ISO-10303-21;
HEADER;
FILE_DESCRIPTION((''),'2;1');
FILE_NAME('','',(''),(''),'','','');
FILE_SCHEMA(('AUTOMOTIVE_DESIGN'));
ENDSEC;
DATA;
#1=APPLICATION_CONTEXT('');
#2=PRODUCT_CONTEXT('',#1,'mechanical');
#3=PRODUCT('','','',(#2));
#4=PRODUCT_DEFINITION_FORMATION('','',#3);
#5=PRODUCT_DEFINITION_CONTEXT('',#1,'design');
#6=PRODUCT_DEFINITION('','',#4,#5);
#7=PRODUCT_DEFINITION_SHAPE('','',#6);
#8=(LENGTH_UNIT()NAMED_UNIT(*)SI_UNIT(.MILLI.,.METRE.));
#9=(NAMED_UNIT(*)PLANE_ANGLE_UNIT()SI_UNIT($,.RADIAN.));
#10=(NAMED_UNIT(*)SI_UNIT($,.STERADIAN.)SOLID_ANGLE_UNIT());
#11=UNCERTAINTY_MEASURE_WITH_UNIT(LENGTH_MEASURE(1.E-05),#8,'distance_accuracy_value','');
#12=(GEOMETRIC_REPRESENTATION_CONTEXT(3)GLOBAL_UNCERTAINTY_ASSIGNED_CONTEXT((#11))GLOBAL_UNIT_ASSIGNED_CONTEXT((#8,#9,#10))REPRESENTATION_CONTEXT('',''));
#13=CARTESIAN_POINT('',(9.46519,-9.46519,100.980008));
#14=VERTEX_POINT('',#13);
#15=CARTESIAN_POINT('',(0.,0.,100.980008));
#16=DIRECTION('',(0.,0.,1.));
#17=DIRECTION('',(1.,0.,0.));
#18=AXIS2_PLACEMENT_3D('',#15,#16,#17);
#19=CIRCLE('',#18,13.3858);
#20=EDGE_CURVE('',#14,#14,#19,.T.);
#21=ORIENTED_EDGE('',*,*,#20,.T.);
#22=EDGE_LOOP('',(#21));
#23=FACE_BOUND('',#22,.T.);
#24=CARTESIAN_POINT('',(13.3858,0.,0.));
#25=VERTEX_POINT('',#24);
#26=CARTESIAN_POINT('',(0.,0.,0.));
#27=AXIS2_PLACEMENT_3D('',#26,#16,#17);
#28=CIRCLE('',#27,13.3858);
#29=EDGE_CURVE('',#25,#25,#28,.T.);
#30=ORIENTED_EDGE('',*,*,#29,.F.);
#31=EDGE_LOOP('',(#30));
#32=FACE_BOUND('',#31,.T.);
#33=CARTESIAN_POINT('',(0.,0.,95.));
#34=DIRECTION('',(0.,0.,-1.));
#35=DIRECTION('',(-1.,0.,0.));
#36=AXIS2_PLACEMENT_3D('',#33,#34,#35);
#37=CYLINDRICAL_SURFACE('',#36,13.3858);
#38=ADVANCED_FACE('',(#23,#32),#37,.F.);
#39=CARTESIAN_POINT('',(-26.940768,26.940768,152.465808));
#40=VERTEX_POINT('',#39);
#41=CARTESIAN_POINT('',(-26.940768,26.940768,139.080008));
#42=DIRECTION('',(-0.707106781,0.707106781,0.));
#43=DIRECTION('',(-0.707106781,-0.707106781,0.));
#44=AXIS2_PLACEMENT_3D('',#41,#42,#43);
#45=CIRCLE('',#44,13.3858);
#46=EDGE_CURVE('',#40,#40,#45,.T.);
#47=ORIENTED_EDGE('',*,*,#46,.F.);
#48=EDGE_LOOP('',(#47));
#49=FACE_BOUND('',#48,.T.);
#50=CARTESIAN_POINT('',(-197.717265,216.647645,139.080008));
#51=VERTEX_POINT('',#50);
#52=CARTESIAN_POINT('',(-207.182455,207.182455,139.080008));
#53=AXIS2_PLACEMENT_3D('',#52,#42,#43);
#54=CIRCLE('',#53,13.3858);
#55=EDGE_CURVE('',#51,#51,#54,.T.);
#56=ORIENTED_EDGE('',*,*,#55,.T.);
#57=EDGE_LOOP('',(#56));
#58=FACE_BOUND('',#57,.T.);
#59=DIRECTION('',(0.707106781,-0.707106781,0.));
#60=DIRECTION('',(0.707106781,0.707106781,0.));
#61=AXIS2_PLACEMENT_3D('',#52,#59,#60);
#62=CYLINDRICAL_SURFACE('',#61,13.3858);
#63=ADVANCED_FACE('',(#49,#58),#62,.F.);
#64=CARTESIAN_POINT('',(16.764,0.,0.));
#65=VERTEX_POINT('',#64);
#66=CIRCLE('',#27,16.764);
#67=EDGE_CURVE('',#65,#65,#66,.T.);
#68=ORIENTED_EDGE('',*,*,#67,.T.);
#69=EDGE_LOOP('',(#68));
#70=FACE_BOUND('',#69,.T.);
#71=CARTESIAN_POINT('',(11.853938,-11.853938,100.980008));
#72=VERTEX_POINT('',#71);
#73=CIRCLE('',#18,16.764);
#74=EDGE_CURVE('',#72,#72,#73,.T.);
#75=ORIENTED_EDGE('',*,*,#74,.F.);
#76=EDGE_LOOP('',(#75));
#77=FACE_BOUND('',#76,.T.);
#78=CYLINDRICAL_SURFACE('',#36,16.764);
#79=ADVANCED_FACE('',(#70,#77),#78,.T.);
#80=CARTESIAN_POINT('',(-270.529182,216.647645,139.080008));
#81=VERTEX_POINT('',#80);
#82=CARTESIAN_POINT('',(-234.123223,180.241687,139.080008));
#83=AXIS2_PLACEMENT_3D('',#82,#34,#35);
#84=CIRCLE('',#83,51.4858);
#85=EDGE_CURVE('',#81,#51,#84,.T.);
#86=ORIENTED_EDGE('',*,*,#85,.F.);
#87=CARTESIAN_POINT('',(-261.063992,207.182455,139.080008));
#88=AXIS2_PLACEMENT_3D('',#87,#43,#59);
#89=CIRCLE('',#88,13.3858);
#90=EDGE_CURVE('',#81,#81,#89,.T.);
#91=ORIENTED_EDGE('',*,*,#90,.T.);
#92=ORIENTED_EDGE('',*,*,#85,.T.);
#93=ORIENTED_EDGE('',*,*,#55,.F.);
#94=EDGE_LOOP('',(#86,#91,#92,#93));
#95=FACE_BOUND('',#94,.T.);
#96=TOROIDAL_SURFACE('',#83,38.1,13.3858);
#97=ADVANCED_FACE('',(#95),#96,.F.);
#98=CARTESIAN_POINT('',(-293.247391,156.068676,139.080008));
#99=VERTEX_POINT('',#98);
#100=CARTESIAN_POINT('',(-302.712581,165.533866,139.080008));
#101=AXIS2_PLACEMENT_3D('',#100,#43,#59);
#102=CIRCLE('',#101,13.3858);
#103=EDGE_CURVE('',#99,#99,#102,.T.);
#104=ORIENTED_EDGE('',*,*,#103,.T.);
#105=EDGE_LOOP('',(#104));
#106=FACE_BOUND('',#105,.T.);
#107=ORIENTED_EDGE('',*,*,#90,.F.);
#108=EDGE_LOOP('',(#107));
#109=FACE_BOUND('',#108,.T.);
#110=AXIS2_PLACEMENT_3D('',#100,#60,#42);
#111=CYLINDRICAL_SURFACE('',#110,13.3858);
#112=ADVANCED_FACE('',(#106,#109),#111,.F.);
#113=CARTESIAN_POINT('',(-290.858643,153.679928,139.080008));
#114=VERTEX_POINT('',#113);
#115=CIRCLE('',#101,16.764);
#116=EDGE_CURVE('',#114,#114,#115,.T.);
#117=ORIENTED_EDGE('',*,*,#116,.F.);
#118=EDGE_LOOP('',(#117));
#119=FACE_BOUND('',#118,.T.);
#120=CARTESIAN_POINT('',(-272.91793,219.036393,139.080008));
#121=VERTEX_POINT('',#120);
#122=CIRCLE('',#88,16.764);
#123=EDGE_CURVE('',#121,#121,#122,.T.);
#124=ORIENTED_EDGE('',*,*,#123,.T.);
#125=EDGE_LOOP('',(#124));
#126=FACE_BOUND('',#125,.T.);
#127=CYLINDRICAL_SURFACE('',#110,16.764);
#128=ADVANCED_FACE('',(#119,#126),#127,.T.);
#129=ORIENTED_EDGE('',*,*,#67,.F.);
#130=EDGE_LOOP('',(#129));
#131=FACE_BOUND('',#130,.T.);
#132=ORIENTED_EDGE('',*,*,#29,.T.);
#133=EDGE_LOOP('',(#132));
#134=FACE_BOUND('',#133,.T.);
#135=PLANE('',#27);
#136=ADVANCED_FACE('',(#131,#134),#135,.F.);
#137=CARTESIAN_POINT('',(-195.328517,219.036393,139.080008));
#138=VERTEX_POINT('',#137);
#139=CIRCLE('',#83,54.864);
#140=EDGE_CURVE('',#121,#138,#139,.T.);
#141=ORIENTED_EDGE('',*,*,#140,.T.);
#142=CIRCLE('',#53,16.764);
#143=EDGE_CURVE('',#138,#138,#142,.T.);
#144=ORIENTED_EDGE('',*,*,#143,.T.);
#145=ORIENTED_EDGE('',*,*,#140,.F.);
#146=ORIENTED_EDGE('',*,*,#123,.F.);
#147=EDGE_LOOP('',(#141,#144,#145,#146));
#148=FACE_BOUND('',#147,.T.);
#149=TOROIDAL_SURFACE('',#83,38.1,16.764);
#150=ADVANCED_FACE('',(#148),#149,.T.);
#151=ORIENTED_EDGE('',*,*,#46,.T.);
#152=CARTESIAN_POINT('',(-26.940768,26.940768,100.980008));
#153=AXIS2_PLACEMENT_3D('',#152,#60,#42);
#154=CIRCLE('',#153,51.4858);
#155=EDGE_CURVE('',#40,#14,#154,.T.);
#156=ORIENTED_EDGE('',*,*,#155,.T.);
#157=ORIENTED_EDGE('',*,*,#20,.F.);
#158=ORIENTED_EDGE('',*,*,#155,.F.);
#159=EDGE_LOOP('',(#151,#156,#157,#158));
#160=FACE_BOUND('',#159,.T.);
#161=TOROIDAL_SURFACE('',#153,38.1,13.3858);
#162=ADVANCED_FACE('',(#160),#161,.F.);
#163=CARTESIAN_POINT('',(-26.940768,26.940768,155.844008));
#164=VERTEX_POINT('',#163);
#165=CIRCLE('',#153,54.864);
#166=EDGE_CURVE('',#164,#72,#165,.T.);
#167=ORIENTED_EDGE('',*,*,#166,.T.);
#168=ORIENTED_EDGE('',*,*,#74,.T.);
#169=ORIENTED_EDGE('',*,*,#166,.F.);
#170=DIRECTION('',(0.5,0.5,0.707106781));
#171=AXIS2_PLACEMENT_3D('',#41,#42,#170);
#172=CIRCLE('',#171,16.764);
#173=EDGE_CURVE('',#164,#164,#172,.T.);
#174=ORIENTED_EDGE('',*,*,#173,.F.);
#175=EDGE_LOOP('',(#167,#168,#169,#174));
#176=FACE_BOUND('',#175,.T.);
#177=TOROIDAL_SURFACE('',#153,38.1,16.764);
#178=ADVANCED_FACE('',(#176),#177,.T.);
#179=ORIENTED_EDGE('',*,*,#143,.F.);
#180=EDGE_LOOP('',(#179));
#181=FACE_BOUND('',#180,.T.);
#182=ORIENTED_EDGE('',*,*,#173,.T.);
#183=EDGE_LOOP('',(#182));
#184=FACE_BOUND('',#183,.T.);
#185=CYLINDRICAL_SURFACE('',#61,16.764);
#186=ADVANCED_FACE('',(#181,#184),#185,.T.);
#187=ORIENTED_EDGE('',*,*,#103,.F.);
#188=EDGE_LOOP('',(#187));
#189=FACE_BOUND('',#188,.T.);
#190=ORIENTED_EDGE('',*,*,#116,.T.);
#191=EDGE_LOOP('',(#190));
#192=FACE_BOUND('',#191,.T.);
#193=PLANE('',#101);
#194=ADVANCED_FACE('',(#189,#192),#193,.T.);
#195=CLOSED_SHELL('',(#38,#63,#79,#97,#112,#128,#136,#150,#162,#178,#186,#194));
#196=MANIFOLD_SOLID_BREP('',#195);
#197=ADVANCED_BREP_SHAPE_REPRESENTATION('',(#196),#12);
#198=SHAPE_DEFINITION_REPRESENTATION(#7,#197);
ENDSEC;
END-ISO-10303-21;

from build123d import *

# Parameters (mm, degrees)
PIPESKETCH_R    = 16.764
PIPESKETCH_R_2  = 13.3858
EXTRUSION_DEPTH = 95
SKETCH_3_R      = 16.764
SKETCH_3_R_2    = 13.3858
EXTRUDE_2_DEPTH = 5.980008255
SKETCH_4_R      = 16.764
SKETCH_4_R_2    = 13.3858
REVOLVE_2_ANGLE = 90
SKETCH_5_R      = 16.764
SKETCH_5_R_2    = 13.3858
EXTRUDE_3_DEPTH = 254.900237781
SKETCH_6_R      = 16.764
SKETCH_6_R_2    = 13.3858
REVOLVE_3_ANGLE = 90
SKETCH_7_R      = 16.764
SKETCH_7_R_2    = 13.3858
EXTRUDE_4_DEPTH = 58.9


with BuildPart() as part:
    # PipeSketch → Extrusion (new body)
    with BuildSketch(Plane.XY):
        Circle(PIPESKETCH_R)
        Circle(PIPESKETCH_R_2, mode=Mode.SUBTRACT)
    extrude(amount=EXTRUSION_DEPTH)

    # 草图3 → 凸台-拉伸2 (add)
    with BuildSketch(Plane.XY.offset(95)):
        Circle(SKETCH_3_R)
        Circle(SKETCH_3_R_2, mode=Mode.SUBTRACT)
    extrude(amount=EXTRUDE_2_DEPTH)

    # 草图4 → 旋转2 (revolve)
    with BuildSketch(Plane.XY.offset(100.980008255)):
        with Locations(Location((0, 0, 0), (0, 0, 315))):
            Circle(SKETCH_4_R)
        with Locations(Location((0, 0, 0), (0, 0, 315))):
            Circle(SKETCH_4_R_2, mode=Mode.SUBTRACT)
    revolve(axis=Axis((-26.940768363, 26.940768363, 100.980008255), (-0.7071067811865476, -0.7071067811865476, 0)), revolution_arc=REVOLVE_2_ANGLE)

    # 草图5 → 凸台-拉伸3 (add)
    with BuildSketch(Plane(origin=(-26.940768363, 26.940768363, 0), x_dir=(0.7071067811865475, 0.7071067811865477, 0), z_dir=(-0.7071067811865477, 0.7071067811865475, 0))):
        with Locations(Location((0, -139.080008255, 0), (0, 0, 270))):
            Circle(SKETCH_5_R)
        with Locations(Location((0, -139.080008255, 0), (0, 0, 270))):
            Circle(SKETCH_5_R_2, mode=Mode.SUBTRACT)
    extrude(amount=EXTRUDE_3_DEPTH)

    # 草图6 → 旋转3 (revolve)
    with BuildSketch(Plane(origin=(-207.182455024, 207.182455024, 0), x_dir=(0, 0, 1), z_dir=(-0.7071067811865476, 0.7071067811865476, 0))):
        with Locations(Location((139.080008255, 0, 0), (0, 0, 90))):
            Circle(SKETCH_6_R)
        with Locations(Location((139.080008255, 0, 0), (0, 0, 90))):
            Circle(SKETCH_6_R_2, mode=Mode.SUBTRACT)
    revolve(axis=Axis((-234.123223388, 180.241686661, 139.080008255), (0, 0, 1)), revolution_arc=REVOLVE_3_ANGLE)

    # 草图7 → 凸台-拉伸4 (add)
    with BuildSketch(Plane(origin=(-26.940768363, -26.940768363, 0), x_dir=(-0.7071067811865479, 0.7071067811865472, 0), z_dir=(-0.7071067811865472, -0.7071067811865479, 0))):
        with Locations((331.100237781, -139.080008255)):
            Circle(SKETCH_7_R)
        with Locations((331.100237781, -139.080008255)):
            Circle(SKETCH_7_R_2, mode=Mode.SUBTRACT)
    extrude(amount=EXTRUDE_4_DEPTH)


solid = part.part
